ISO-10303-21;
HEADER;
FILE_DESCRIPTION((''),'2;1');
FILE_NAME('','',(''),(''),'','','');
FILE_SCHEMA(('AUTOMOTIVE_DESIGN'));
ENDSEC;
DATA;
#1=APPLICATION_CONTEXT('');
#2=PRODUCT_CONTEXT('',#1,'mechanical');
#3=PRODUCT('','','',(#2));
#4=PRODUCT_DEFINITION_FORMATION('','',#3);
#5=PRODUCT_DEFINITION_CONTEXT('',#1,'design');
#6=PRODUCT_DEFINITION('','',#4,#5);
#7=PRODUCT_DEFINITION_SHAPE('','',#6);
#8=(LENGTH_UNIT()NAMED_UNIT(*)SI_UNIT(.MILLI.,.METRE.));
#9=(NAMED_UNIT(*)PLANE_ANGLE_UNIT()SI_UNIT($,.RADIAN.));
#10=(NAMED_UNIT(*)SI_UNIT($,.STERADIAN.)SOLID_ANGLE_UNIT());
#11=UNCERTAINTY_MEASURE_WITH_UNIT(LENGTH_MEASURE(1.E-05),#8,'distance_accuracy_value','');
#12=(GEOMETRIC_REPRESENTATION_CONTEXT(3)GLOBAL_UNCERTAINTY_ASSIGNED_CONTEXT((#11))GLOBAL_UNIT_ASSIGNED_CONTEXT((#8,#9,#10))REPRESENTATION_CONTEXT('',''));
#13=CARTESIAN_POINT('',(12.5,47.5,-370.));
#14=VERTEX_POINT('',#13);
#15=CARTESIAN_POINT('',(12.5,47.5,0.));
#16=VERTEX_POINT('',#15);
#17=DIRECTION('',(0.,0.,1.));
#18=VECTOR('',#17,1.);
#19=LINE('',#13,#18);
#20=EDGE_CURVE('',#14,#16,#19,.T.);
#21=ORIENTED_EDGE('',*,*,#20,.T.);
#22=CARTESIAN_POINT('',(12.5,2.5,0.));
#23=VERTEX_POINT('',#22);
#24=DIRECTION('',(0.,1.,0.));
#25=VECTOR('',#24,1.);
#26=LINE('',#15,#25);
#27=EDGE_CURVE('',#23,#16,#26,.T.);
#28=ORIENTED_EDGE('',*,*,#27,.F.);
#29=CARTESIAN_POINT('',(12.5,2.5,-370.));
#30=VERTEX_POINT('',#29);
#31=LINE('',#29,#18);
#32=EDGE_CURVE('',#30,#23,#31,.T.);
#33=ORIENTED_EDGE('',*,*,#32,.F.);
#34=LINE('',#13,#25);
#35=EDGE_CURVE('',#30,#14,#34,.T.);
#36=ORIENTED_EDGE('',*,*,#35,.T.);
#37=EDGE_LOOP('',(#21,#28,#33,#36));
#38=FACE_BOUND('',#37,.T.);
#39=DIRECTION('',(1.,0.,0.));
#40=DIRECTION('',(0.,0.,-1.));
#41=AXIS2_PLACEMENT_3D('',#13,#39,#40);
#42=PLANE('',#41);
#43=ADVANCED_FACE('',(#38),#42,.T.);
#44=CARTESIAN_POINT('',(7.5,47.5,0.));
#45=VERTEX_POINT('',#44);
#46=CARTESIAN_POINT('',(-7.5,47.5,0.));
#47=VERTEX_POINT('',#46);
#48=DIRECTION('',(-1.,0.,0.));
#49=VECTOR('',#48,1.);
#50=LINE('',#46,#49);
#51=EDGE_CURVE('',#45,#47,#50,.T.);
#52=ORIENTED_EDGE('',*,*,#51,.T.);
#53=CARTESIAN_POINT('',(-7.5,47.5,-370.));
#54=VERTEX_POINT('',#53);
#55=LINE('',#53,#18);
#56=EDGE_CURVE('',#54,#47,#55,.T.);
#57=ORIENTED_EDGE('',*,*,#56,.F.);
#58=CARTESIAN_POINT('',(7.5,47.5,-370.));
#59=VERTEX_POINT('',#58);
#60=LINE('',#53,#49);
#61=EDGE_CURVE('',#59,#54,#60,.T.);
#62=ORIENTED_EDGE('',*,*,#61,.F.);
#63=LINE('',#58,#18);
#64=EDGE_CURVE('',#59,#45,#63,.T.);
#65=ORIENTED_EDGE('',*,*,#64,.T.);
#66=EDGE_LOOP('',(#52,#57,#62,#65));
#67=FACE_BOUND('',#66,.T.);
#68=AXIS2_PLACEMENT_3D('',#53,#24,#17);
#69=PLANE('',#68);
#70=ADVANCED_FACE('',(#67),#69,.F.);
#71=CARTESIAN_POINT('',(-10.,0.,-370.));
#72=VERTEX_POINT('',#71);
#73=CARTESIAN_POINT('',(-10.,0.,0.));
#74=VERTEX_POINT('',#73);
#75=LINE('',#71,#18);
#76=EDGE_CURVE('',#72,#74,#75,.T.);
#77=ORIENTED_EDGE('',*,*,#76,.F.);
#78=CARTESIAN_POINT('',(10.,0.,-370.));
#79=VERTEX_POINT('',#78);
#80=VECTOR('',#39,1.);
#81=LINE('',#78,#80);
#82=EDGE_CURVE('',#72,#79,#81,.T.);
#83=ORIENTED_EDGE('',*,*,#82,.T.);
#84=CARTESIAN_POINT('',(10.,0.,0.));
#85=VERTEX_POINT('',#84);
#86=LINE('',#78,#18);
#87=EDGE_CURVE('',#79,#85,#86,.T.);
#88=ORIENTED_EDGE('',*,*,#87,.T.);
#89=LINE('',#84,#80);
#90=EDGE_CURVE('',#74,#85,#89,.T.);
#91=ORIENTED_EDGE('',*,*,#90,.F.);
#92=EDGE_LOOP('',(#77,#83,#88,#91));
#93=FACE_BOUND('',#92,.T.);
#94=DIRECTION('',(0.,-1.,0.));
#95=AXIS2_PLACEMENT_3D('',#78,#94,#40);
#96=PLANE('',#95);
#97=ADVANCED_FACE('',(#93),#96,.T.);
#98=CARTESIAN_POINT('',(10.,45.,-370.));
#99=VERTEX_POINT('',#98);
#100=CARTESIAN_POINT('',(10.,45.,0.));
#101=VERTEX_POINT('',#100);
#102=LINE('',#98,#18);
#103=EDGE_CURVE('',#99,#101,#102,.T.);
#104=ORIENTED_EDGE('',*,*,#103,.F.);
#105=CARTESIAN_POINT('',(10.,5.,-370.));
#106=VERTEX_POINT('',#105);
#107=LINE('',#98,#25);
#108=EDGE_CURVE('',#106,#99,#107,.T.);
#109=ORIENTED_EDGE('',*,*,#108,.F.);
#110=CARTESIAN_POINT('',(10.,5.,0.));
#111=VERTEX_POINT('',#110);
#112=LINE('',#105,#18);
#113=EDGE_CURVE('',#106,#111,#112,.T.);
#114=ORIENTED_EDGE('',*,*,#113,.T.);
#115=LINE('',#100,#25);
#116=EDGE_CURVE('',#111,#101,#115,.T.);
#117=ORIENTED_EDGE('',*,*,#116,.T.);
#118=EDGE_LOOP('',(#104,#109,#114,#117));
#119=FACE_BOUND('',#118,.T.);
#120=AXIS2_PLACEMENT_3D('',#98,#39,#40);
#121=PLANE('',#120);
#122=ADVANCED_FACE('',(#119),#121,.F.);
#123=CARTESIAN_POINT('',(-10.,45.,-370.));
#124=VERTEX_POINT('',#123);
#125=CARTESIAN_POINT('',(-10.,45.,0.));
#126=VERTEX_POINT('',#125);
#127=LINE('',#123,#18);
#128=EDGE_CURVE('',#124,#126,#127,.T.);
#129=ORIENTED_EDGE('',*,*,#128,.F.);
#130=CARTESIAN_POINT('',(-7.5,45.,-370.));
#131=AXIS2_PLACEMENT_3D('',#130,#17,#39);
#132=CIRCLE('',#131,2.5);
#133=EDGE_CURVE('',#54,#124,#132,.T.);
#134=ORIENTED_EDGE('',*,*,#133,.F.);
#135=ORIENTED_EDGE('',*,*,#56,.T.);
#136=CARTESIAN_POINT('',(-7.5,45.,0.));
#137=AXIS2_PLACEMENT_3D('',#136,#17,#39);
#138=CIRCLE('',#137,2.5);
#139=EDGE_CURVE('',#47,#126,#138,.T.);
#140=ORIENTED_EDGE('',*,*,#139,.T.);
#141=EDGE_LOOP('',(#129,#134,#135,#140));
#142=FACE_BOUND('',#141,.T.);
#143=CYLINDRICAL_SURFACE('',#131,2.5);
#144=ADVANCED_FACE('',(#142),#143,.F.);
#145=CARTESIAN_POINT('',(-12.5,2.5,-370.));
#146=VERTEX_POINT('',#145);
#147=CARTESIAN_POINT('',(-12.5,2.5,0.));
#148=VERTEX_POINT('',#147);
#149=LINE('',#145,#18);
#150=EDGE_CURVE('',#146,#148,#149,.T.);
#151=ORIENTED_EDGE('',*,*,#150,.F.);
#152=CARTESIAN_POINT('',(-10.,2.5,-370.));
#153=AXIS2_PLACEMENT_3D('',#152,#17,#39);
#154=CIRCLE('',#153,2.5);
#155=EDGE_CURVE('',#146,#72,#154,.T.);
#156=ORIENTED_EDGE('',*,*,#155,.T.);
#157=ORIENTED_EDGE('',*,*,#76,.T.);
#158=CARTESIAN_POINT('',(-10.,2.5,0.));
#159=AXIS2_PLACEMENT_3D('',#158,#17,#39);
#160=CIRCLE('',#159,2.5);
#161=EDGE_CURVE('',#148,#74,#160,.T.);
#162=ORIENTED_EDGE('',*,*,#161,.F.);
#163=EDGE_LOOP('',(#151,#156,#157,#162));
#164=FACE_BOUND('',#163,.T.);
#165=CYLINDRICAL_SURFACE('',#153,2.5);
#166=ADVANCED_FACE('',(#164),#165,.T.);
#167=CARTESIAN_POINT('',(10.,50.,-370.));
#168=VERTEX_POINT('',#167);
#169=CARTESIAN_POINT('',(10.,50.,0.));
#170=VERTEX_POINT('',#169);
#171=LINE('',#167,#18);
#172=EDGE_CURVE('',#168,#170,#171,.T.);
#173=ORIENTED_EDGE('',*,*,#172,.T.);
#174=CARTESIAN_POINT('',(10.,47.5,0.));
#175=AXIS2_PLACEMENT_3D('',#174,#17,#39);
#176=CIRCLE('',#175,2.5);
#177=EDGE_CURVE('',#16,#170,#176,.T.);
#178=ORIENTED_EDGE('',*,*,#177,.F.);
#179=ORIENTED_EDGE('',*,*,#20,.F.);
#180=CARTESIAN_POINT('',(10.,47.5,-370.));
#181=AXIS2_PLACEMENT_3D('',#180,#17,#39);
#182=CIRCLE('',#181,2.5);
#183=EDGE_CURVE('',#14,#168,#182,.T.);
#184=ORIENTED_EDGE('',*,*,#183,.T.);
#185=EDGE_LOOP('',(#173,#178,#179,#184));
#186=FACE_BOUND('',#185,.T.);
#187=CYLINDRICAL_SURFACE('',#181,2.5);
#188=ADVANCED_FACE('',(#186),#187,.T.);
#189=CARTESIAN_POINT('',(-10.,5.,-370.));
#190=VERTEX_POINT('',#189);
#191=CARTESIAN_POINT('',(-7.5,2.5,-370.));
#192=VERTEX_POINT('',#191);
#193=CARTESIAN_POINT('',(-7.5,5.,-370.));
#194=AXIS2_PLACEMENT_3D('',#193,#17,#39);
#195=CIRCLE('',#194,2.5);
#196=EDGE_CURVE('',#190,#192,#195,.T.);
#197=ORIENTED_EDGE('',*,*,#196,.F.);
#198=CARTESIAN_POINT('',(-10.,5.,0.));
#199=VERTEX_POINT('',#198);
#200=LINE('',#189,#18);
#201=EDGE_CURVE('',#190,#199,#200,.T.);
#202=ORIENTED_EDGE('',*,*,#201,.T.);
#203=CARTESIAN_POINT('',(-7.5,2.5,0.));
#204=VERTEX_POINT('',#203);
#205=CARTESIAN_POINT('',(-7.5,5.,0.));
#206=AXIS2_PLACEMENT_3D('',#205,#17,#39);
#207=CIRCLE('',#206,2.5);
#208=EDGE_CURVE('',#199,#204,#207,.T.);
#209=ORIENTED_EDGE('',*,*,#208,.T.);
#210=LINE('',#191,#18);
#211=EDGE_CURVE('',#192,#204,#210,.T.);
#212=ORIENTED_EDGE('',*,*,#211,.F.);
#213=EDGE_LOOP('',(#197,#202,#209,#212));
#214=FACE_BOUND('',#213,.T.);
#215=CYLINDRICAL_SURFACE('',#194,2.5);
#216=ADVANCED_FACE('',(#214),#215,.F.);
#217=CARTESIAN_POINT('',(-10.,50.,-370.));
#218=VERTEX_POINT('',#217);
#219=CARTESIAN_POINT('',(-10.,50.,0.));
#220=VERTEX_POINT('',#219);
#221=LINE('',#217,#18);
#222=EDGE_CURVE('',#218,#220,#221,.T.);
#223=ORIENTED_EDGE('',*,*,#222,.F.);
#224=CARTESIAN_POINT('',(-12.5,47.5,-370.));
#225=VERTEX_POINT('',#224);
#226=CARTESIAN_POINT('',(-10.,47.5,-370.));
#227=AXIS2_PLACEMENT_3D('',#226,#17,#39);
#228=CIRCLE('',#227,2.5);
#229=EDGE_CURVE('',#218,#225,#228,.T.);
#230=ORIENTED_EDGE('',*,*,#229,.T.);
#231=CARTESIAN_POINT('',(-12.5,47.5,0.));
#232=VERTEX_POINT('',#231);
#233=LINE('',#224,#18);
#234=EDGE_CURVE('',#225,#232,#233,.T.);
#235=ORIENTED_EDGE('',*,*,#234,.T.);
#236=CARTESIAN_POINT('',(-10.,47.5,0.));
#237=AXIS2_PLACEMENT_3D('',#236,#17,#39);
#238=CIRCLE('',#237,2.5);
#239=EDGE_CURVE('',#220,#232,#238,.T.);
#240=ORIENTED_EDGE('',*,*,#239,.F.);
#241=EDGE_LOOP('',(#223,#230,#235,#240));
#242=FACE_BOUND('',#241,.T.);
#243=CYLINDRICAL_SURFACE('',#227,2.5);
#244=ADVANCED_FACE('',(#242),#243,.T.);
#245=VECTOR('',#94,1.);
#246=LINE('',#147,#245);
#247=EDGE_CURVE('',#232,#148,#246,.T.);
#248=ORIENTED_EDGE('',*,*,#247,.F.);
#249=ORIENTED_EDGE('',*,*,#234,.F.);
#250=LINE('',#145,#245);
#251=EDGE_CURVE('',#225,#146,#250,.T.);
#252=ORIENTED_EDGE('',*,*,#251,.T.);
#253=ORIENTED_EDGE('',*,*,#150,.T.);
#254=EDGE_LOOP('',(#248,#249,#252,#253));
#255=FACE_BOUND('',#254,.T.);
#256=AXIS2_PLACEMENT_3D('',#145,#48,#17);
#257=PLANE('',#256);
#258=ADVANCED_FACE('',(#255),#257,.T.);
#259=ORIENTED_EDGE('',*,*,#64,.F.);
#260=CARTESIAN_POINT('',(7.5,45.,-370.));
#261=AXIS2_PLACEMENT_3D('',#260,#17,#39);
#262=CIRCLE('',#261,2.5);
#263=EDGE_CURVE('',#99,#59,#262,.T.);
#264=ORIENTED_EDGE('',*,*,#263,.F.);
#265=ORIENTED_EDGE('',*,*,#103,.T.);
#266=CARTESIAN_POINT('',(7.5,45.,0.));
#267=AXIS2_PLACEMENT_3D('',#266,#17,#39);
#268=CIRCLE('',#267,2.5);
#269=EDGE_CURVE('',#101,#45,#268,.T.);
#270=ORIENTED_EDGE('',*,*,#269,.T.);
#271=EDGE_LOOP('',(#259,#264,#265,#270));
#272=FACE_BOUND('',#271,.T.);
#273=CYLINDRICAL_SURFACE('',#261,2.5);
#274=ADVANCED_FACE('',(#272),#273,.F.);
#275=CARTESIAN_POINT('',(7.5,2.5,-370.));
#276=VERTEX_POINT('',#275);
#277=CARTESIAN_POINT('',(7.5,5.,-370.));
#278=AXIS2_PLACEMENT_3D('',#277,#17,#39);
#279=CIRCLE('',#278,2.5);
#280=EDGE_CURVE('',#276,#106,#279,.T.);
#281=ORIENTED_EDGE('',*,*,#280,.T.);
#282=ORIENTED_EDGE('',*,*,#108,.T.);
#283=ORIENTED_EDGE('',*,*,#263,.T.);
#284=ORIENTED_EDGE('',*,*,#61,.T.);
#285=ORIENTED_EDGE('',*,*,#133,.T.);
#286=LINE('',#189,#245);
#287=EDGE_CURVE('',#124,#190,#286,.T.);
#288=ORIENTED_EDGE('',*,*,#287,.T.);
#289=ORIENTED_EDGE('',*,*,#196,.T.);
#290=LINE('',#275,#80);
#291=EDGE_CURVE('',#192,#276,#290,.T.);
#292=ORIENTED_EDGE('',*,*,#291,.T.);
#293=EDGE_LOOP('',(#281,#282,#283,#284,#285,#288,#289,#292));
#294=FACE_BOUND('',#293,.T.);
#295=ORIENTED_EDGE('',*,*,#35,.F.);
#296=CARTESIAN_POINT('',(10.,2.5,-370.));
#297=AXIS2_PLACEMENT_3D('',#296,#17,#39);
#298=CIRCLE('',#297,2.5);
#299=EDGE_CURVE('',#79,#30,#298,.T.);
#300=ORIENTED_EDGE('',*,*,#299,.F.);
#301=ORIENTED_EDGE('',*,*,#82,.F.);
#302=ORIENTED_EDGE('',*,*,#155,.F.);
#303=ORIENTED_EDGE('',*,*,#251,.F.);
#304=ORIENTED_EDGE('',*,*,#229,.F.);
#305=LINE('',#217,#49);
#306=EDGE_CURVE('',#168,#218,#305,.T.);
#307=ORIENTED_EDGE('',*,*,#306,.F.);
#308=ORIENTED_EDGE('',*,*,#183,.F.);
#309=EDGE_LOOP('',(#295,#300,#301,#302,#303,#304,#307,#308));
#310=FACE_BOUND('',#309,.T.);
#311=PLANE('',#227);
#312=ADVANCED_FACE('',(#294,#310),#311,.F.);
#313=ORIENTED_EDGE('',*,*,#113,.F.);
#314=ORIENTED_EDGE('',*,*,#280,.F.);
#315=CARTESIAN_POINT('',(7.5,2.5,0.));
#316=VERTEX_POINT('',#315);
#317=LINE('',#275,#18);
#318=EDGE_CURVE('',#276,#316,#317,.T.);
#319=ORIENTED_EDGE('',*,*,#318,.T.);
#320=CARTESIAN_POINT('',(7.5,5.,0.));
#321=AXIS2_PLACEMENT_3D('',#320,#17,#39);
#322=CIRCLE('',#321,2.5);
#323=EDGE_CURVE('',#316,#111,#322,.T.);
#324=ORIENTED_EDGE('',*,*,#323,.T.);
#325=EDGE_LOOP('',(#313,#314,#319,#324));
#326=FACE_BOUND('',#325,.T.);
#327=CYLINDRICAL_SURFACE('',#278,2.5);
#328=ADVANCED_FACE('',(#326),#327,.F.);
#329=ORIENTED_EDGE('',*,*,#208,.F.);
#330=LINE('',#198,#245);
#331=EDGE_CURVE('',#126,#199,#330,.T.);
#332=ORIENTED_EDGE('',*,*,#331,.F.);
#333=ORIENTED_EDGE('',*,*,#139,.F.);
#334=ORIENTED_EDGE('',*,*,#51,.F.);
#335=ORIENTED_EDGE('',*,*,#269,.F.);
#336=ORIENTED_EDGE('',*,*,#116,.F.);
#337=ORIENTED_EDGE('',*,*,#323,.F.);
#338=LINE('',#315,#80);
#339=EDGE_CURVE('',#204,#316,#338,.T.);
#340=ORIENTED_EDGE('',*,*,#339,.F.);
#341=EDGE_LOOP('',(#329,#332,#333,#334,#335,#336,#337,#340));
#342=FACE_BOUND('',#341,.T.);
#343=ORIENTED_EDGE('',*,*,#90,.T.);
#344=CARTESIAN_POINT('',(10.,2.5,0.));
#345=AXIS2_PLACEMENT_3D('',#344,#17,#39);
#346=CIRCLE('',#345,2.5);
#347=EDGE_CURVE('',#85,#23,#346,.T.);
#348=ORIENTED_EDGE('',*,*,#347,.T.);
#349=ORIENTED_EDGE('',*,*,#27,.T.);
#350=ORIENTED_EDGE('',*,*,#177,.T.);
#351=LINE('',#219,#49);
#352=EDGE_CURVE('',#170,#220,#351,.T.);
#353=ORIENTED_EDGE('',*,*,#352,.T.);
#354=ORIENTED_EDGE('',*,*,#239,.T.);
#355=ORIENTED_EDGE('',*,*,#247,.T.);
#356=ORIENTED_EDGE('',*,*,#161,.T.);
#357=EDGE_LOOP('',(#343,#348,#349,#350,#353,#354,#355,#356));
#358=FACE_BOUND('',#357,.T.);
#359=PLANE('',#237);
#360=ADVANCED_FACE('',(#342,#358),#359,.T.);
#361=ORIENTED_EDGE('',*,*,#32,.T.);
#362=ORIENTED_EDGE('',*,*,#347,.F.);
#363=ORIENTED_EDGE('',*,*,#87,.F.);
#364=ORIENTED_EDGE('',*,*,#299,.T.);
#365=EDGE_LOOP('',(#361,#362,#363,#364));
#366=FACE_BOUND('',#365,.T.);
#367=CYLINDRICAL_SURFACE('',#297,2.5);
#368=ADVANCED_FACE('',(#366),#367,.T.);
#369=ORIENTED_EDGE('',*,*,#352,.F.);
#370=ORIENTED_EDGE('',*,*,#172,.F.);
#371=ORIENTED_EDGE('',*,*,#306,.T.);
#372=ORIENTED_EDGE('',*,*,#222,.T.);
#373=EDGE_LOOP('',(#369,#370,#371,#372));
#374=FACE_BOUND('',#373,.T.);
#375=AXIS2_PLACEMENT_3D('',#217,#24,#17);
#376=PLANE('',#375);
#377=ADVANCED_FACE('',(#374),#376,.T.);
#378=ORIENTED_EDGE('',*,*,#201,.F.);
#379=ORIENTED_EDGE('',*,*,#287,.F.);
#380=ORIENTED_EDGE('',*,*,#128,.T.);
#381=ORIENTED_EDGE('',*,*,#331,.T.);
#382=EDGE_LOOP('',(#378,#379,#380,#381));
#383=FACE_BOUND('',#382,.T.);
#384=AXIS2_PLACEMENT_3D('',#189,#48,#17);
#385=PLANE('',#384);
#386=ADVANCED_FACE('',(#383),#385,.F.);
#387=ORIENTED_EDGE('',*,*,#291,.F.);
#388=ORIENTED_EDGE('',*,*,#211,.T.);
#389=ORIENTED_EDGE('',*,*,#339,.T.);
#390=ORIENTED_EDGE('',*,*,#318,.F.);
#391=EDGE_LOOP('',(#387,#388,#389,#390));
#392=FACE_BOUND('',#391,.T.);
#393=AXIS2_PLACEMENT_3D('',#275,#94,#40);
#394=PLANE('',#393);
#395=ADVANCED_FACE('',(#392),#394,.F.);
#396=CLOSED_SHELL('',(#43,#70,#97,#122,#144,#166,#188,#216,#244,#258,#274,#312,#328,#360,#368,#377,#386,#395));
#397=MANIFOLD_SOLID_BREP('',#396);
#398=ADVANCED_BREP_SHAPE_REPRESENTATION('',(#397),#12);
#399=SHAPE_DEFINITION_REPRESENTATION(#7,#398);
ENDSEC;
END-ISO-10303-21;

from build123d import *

# Parameters (mm, degrees)
EXTRUDE_1_DEPTH = 370


with BuildPart() as part:
    # Эскиз1 → Бобышка-Вытянуть1 (new body)
    with BuildSketch(Plane.XY):
        with BuildLine():
            Line((-10, 50), (10, 50))
            ThreePointArc((10, 50), (11.767766953, 49.267766953), (12.5, 47.5))
            Line((12.5, 47.5), (12.5, 2.5))
            ThreePointArc((12.5, 2.5), (11.767766953, 0.732233047), (10, 0))
            Line((10, 0), (-10, 0))
            ThreePointArc((-10, 0), (-11.767766953, 0.732233047), (-12.5, 2.5))
            Line((-12.5, 2.5), (-12.5, 47.5))
            ThreePointArc((-12.5, 47.5), (-11.767766953, 49.267766953), (-10, 50))
        make_face()
        with BuildLine():
            Line((-7.5, 47.5), (7.5, 47.5))
            ThreePointArc((7.5, 47.5), (9.267766953, 46.767766953), (10, 45))
            Line((10, 45), (10, 5))
            ThreePointArc((10, 5), (9.267766953, 3.232233047), (7.5, 2.5))
            Line((7.5, 2.5), (-7.5, 2.5))
            ThreePointArc((-7.5, 2.5), (-9.267766953, 3.232233047), (-10, 5))
            Line((-10, 5), (-10, 45))
            ThreePointArc((-10, 45), (-9.267766953, 46.767766953), (-7.5, 47.5))
        make_face(mode=Mode.SUBTRACT)
    extrude(amount=-EXTRUDE_1_DEPTH)


solid = part.part
